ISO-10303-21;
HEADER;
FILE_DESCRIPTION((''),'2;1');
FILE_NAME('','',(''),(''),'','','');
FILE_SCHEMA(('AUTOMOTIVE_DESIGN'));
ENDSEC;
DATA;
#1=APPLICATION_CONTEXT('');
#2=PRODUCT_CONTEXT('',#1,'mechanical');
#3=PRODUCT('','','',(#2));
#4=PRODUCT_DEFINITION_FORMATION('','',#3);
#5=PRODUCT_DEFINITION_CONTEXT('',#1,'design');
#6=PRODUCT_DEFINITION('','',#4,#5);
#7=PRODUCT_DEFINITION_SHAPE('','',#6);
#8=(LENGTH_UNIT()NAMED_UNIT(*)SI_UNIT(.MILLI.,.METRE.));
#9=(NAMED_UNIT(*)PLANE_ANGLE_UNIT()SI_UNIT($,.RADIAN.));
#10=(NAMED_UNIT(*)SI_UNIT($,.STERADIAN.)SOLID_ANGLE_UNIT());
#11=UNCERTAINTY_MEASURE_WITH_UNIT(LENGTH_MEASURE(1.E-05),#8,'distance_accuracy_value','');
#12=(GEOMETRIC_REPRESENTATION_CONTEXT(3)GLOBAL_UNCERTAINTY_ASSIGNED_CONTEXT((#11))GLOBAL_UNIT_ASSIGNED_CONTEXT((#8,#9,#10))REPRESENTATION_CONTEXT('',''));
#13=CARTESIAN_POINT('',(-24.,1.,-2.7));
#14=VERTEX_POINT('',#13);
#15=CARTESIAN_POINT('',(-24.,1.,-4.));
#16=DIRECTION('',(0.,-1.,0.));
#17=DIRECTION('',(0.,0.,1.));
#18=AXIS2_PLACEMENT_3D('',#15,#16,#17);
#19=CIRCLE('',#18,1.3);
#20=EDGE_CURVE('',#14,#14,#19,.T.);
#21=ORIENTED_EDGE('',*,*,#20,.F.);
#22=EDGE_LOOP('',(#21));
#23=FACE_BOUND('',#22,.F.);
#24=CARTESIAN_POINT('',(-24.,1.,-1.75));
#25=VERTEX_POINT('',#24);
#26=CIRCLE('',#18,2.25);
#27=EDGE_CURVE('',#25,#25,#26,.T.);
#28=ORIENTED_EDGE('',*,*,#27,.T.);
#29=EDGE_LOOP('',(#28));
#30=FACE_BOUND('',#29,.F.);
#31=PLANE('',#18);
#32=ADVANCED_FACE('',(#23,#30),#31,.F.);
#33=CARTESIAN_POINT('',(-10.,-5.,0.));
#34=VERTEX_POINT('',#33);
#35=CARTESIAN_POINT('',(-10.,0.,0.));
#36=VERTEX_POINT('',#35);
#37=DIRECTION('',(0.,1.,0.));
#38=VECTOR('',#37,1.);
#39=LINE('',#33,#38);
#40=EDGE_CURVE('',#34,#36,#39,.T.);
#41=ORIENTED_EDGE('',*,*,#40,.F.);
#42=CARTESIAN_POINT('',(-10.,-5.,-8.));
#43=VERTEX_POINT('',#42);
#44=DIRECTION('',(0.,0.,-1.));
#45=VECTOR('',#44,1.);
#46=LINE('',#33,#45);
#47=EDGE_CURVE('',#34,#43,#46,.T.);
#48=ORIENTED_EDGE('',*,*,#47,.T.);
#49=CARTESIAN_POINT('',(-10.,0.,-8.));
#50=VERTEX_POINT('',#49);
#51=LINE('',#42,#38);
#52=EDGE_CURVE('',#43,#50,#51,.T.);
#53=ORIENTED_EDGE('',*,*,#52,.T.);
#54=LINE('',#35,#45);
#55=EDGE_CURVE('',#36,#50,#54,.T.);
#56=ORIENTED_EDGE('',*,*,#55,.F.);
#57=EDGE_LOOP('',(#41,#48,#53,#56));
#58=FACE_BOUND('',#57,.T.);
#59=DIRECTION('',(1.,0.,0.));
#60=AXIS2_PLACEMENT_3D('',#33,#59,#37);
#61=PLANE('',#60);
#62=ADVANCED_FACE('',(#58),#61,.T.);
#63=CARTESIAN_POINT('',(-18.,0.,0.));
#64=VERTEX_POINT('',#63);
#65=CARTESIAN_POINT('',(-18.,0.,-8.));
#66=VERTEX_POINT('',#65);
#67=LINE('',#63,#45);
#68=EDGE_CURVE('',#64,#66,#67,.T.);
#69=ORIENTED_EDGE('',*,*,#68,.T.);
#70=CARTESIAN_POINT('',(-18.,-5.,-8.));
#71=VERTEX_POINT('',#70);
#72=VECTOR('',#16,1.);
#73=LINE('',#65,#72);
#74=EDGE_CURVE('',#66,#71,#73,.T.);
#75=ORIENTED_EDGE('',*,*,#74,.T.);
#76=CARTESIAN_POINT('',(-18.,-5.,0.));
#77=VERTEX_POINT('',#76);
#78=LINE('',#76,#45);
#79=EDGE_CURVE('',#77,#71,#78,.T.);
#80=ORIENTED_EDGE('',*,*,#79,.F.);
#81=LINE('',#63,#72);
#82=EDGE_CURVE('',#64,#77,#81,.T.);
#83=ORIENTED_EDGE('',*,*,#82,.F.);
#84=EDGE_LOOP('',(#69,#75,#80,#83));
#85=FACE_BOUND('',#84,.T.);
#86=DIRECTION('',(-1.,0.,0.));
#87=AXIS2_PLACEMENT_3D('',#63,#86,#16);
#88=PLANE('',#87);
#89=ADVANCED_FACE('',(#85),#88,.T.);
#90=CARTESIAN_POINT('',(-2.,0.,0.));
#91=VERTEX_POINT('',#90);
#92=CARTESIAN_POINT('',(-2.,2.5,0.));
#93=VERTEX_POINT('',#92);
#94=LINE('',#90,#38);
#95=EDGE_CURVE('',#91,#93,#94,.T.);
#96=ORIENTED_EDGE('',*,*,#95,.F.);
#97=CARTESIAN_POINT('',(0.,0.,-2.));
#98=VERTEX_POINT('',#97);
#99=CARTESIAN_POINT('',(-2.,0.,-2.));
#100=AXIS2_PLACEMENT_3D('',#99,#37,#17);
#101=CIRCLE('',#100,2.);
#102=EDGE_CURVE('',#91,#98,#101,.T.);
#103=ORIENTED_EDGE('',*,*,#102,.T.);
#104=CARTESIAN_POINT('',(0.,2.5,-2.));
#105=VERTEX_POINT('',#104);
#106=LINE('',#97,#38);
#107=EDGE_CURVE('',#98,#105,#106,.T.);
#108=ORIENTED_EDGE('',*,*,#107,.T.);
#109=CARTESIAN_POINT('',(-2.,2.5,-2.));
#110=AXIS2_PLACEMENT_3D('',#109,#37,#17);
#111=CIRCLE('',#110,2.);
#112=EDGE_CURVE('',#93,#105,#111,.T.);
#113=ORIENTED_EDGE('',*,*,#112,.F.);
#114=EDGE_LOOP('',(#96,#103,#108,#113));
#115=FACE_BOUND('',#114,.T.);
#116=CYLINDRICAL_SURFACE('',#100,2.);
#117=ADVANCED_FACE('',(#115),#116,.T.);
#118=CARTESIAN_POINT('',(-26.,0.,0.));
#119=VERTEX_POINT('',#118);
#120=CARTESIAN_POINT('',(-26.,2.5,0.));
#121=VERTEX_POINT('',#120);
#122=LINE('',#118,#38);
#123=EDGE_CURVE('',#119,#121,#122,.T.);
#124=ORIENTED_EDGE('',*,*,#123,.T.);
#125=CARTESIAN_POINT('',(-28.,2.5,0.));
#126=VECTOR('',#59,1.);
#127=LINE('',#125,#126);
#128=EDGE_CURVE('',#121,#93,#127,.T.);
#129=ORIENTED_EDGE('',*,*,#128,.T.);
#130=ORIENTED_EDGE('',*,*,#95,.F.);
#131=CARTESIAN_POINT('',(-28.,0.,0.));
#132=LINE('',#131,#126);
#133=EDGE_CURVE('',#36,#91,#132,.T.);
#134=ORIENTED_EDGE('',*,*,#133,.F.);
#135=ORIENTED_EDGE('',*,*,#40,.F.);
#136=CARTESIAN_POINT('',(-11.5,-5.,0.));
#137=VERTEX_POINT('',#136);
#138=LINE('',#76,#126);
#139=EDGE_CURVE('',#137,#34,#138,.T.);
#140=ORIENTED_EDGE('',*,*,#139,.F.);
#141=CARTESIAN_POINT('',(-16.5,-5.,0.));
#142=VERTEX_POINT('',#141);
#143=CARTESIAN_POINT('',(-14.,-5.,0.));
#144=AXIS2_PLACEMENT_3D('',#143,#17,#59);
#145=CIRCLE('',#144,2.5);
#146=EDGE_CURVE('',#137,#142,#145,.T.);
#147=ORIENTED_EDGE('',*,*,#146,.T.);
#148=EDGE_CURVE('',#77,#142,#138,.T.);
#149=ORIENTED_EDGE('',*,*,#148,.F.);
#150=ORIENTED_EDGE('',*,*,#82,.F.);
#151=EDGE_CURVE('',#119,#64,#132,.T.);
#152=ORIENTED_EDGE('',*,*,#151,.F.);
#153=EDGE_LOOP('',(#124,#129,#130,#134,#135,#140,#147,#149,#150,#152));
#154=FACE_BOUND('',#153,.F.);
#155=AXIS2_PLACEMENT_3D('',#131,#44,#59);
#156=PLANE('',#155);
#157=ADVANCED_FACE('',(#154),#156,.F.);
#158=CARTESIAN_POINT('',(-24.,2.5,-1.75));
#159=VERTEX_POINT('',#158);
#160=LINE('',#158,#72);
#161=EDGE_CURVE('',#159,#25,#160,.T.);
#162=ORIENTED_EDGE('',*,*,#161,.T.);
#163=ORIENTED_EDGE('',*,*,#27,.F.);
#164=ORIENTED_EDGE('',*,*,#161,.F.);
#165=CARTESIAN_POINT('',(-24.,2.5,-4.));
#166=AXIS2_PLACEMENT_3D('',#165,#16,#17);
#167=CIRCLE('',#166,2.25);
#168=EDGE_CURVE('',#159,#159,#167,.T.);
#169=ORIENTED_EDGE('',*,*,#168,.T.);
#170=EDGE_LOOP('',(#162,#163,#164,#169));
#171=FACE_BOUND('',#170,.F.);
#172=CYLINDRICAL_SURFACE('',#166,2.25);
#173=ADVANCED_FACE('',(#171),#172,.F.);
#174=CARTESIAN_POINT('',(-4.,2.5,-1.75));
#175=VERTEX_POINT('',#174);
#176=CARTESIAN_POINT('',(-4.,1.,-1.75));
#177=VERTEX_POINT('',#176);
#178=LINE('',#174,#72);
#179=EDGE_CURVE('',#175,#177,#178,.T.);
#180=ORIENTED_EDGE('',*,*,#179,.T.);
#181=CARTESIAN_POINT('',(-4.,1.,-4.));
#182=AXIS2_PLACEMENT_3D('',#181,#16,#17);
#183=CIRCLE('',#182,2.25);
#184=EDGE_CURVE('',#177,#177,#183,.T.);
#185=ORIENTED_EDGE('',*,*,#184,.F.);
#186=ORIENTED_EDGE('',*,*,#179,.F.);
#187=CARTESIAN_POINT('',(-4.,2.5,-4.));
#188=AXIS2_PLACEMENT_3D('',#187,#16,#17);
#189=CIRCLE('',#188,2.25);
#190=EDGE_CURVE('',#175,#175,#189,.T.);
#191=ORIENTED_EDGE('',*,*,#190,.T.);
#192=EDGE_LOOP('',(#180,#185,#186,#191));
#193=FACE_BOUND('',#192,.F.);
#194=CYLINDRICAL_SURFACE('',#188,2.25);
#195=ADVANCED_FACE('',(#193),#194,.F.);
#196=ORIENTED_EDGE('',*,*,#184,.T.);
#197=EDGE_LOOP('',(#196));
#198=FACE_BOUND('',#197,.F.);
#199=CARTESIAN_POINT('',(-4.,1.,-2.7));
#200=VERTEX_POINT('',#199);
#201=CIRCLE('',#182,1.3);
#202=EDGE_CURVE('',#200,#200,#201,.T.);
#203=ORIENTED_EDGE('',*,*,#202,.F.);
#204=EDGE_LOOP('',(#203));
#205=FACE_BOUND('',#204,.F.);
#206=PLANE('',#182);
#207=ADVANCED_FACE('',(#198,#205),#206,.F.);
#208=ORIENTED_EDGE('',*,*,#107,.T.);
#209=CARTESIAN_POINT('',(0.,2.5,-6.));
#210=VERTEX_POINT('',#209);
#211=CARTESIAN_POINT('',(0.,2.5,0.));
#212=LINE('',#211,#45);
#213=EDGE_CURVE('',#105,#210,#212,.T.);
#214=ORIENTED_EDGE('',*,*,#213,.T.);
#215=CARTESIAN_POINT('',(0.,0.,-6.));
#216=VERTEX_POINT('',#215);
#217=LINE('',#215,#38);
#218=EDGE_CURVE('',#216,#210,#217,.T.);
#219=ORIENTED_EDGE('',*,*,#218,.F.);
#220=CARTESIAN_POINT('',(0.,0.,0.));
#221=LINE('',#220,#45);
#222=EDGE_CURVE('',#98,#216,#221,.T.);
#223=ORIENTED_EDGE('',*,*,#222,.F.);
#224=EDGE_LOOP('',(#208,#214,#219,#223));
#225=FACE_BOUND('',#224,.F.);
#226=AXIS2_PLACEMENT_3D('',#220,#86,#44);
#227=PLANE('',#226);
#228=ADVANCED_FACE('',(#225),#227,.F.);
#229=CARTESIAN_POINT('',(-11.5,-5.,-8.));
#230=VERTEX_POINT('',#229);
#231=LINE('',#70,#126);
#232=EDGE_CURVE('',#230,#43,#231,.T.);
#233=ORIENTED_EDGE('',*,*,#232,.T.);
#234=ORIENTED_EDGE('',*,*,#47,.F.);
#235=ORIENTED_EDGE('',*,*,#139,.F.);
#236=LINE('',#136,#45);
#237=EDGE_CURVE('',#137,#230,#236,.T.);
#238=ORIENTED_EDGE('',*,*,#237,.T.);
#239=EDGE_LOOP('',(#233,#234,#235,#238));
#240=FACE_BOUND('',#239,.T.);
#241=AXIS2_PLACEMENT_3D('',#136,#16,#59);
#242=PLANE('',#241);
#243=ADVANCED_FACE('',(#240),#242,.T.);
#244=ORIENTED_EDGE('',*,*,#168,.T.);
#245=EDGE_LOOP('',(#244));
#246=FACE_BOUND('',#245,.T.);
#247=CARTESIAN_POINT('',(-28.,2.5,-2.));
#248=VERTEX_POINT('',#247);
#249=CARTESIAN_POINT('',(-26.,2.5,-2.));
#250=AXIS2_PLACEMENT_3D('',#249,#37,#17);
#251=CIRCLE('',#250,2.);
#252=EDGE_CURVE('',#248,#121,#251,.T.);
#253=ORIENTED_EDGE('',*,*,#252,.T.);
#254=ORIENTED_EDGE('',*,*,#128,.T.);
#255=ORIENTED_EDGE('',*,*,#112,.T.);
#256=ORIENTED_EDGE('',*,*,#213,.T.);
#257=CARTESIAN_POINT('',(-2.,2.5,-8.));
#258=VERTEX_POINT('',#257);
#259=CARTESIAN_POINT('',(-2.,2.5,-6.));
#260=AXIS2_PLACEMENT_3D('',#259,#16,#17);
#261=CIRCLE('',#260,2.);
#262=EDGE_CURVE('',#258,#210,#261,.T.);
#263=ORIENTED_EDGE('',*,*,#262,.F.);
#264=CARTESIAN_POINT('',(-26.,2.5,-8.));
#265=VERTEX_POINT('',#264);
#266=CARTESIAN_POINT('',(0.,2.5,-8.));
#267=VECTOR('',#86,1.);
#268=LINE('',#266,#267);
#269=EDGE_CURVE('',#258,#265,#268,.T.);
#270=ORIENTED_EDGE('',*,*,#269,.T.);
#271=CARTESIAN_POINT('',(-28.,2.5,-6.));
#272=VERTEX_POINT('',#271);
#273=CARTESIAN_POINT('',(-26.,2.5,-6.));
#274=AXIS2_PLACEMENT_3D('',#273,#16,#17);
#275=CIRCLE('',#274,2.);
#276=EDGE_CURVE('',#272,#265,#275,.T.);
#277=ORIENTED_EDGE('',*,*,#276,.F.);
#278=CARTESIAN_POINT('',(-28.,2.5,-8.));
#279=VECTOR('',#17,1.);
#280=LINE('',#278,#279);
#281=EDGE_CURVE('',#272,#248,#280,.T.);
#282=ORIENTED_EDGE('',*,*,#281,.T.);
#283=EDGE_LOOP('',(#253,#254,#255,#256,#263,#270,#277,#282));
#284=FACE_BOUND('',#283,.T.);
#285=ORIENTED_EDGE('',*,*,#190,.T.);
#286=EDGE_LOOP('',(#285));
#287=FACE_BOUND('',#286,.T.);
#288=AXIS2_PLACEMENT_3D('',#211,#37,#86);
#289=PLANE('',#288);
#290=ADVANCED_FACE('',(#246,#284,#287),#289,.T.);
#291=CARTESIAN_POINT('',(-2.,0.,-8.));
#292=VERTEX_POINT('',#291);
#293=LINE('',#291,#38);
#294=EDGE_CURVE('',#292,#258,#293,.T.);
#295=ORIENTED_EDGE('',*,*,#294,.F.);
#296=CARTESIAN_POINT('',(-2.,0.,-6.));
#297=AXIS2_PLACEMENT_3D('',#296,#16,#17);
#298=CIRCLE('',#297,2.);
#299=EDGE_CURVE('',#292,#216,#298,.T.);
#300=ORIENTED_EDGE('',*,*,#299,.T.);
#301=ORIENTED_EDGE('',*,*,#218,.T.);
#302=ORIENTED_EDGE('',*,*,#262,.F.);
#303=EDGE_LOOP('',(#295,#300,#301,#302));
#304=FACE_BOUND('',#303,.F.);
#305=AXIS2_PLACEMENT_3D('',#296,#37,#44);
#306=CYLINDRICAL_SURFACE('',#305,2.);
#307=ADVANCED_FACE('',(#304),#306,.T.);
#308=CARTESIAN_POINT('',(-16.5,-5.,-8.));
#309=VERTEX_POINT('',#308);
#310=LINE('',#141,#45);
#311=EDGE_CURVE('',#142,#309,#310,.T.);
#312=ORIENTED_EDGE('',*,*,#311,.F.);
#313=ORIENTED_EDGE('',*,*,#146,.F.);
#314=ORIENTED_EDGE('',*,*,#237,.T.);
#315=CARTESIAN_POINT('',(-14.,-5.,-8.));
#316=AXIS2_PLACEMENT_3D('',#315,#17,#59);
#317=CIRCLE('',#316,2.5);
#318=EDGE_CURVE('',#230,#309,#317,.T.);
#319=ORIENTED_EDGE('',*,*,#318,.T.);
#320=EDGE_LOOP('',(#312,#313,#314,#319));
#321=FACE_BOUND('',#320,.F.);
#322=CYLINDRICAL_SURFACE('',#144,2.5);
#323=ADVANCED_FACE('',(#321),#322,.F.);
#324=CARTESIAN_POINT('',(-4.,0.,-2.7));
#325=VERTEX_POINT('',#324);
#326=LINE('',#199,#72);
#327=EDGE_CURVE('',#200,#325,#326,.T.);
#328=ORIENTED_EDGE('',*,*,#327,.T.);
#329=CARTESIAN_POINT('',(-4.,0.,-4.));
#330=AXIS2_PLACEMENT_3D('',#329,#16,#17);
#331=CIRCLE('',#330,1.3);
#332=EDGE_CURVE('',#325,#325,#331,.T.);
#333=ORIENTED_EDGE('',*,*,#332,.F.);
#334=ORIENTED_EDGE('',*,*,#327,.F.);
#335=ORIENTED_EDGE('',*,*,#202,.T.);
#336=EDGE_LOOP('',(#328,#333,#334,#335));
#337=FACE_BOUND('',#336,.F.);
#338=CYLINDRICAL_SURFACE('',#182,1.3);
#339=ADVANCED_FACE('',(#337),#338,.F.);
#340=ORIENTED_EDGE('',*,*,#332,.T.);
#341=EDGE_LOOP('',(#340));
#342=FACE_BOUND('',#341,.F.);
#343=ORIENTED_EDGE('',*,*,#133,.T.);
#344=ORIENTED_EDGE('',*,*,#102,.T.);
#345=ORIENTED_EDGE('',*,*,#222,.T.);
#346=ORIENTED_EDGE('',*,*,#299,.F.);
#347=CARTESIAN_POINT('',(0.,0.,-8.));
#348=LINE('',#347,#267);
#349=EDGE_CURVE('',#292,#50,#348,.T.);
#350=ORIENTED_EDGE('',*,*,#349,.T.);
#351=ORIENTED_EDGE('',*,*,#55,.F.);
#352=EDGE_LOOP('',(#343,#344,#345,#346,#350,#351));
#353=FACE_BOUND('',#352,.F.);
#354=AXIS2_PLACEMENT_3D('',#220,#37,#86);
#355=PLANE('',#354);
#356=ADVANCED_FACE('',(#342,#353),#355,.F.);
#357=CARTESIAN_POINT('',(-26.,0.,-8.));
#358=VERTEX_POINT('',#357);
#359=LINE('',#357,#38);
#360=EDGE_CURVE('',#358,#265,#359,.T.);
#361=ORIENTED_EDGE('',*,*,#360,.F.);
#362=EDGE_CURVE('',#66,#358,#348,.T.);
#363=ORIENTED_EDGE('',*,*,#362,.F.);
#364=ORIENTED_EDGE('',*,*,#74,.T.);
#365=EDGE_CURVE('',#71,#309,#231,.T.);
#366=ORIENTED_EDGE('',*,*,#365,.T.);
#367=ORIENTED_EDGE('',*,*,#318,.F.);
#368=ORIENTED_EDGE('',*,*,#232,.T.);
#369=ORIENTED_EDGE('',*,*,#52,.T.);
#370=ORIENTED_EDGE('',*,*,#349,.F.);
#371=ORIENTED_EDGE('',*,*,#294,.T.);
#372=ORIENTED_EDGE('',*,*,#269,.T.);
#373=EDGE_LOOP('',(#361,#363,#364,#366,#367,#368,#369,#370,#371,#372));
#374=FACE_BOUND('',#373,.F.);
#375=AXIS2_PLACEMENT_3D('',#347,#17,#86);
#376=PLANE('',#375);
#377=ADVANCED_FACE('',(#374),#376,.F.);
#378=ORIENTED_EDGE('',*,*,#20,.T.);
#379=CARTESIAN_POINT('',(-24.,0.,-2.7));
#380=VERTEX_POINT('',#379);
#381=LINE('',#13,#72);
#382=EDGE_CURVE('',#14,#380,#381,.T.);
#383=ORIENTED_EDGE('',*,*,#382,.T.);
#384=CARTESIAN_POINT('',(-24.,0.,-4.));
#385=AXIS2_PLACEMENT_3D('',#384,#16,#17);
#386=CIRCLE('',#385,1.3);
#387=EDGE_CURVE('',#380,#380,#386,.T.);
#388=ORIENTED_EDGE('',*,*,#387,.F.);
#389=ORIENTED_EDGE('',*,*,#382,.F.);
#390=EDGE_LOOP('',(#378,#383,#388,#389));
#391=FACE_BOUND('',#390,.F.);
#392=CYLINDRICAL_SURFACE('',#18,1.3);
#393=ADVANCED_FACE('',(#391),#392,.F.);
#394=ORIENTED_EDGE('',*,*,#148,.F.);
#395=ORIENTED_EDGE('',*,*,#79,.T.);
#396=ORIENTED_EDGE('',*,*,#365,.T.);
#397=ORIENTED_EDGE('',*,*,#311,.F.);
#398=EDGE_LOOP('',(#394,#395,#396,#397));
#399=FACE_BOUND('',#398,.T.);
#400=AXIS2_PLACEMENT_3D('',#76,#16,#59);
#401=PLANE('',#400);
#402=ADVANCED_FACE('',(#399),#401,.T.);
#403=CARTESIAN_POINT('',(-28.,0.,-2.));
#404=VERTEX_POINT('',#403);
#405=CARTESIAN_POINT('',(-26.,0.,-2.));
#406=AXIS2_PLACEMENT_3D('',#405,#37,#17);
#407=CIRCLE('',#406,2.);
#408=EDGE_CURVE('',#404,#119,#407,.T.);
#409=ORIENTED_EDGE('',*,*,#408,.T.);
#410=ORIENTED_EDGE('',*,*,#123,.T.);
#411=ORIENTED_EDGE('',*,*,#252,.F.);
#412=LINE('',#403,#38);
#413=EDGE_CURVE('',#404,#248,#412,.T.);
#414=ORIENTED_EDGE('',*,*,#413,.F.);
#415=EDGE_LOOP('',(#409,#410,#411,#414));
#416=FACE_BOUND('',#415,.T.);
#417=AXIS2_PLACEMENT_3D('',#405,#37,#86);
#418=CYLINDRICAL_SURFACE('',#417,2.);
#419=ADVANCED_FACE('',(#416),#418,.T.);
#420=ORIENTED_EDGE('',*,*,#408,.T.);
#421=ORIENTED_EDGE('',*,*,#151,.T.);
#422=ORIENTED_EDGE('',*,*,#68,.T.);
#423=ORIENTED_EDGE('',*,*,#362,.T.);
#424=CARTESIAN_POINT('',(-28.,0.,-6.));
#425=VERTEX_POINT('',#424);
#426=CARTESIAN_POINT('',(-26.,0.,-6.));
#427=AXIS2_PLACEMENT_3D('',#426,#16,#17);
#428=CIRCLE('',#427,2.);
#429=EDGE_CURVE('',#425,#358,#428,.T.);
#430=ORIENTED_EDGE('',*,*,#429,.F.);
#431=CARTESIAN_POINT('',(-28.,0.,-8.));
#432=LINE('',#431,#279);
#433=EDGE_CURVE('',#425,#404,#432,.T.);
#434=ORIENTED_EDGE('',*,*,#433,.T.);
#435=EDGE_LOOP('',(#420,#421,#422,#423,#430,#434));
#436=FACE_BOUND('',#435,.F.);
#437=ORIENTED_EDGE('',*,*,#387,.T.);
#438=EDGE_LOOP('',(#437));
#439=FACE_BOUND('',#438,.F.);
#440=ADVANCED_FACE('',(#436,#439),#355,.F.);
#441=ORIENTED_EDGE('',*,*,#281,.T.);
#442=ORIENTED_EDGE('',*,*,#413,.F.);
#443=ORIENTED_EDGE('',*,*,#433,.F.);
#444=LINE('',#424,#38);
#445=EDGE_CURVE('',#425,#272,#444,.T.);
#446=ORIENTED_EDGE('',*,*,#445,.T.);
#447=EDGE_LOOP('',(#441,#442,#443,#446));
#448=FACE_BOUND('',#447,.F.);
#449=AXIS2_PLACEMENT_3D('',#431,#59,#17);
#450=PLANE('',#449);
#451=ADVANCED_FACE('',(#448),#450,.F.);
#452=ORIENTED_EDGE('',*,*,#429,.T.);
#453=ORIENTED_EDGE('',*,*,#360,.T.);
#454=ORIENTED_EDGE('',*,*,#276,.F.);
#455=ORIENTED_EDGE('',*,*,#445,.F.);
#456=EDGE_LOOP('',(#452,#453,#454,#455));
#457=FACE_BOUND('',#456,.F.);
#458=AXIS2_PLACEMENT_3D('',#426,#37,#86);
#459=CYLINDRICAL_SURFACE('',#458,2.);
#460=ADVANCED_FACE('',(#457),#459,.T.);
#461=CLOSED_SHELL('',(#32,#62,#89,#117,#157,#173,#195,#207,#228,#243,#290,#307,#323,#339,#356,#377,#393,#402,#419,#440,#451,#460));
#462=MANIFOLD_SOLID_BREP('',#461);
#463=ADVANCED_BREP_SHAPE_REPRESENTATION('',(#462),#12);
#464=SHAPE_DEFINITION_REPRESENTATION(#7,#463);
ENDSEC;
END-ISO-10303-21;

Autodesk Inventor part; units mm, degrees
ref_plane "YZ Plane" through (0, 0, 0) normal (1, 0, 0) x (0, 1, 0)
ref_plane "XZ Plane" through (0, 0, 0) normal (0, 1, 0) x (-1, 0, 0)
ref_plane "XY Plane" through (0, 0, 0) normal (0, 0, 1) x (1, 0, 0)
sketch "Szkic1" plane through (0, 0, 0) normal (0, 1, 0) x (-1, 0, 0)
  line L0 (28, 0) -> (0, 0)
  line L1 (0, 0) -> (0, -8)
  line L2 (0, -8) -> (28, -8)
  line L3 (28, -8) -> (28, 0)
  dimension "d0" = 8
  dimension "d4" = 28
extrude "Wyciągnięcie proste1" add sketch "Szkic1" along normal blind 2.5
sketch "Szkic2" plane through (0, 2.5, 0) normal (0, 1, 0) x (1, 0, 0)
  line L0 (-28, 0) -> (0, 0) projected
  line L1 (0, 8) -> (-28, 8) projected
  line L2 (-14, 0) -> (-14, 8)
  line L3 (-24, 4) -> (-4, 4)
  point P0 (-14, 4)
  dimension "d3" = 20
hole "Otwór1" at (-24, 2.5, -4) at (-4, 2.5, -4) direction (0, -1, 0) diameter 2.6 end through all counterbore diameter 4.5 counterbore depth 1.5
sketch "Szkic3" plane through (-28, 0, 0) normal (0, 0, 1) x (1, 0, 0)
  line L0 (14, 2.5) -> (14, 0)
  line L1 (0, 2.5) -> (28, 2.5) projected
  line L2 (0, 0) -> (28, 0) projected
  circle A0 centre (14, -5) radius 2.5
  line L3 (10, -5) -> (18, -5)
  line L4 (18, -5) -> (18, 0)
  line L5 (10, 0) -> (10, -5)
  line L6 (18, 0) -> (10, 0)
  point P0 (10, 3)
  point P1 (17.6174, 3)
  point P2 (16.5, -5)
  point P3 (11.5, -5)
  point P4 (14, 0)
  point P5 (18, 0)
  dimension "d12" = 5
  dimension "d13" = 8
  dimension "d17" = 5
extrude "Wyciągnięcie proste2" add sketch "Szkic3" against normal up to surface (8 mm away) contours L2 L4 L3 A0 L5
fillet "Zaokrąglenie1" radius 2 4 edges at (0, 1.25, 0) (0, 1.25, -8) (-28, 1.25, -8) (-28, 1.25, 0)
equation "\"d0\" = obudowa_led_mocowanie_grubosc"
equation "\"d4\" = holder_led_dlugosc"
equation "\"d1\" = holder_led_grubosc"
equation "\"d3\" = obudowa_led_mocowanie_rozstaw_otworow"
equation "\"d5\" = gniazdo_M2_D2"
equation "\"d7\" = gniazdo_M2_D1"
equation "\"d8\" = gniazdo_M2_glebokosc"
equation "\"d10\" = insert_glebokosc"
equation "\"d12\" = holder_led_uchwyt_D"
equation "\"d13\" = holder_led_uchwyt_szerokosc"
equation "\"d17\" = holder_led_uchwyt_wysokosc"
equation "\"gniazdo_M2_glebokosc\" = 1.5"
equation "\"gniazdo_M2_D1\" = 4.5"
equation "\"gniazdo_M2_D2\" = 2.6"
equation "\"insert_D\" = 2.9"
equation "\"insert_glebokosc\" = 7"
equation "\"podstawa_wys\" = 2"
equation "\"podstawa_otwory_montazowe_poz_x\" = 4"
equation "\"podstawa_otwory_montazowe_poz_y\" = 4"
equation "\"podstawa_zaokraglenie\" = 3"
equation "\"obudowa_wys\" = 45"
equation "\"obudowa_grubosc\" = 2"
equation "\"obudowa_kontrolki_a\" = 38"
equation "\"obudowa_otwory_montazowe_poz_x\" = 4"
equation "\"obudowa_otwory_montazowe_poz_y\" = 4"
equation "\"obudowa_otwory_montazowe_material_x\" = 8"
equation "\"obudowa_otwory_montazowe_material_y\" = 8"
equation "\"obudowa_zaokraglenie\" = 3"
equation "\"obudowa_otwory_io1_D\" = 12"
equation "\"obudowa_otwory_io1_wys\" = 25"
equation "\"obudowa_otwory_io1_poz\" = 55"
equation "\"obudowa_otwory_io2_D\" = 12"
equation "\"obudowa_otwory_io2_wys\" = 25"
equation "\"obudowa_otwory_io2_poz\" = 38"
equation "\"obudowa_otwory_pot_D\" = 7.2"
equation "\"obudowa_pot_poz_y\" = 15"
equation "\"obudowa_s_rozstaw_y\" = 16"
equation "\"obudowa_s_poz_x\" = 78"
equation "\"obudowa_s_poz_y\" = 15"
equation "\"obudowa_s_D\" = 6.2"
equation "\"input_a\" = 8.9"
equation "\"input_b\" = 14.4"
equation "\"input_wys\" = 10.9"
equation "\"obudowa_MTS_otwor_D\" = 6.2"
equation "\"pcb_rozstaw_x\" = 92"
equation "\"pcb_rozstaw_y\" = 58"
equation "\"pcb_grubosc_scianki\" = 6"
equation "\"pcb_wys_bloku\" = 35"
equation "\"pcb_poz_y\" = 29"
equation "\"obudowa_footswitch_D\" = 12.3"
equation "\"obudowa_footswitch_poz_x\" = 35"
equation "\"obudowa_footswitch_poz_y\" = 68"
equation "\"obudowa_led_indicator_D\" = 3.5"
equation "\"obudowa_led_indicator_poz_x\" = 55"
equation "\"obudowa_podkladka_otwory\" = 4"
equation "\"obudowa_uchwyt_poz_z\" = 3"
equation "\"obudowa_uchwyt_grubosc\" = 2"
equation "\"obudowa_uchwyt_szerokosc_wew\" = 17.5"
equation "\"obudowa_uchwyt_wysokosc_wew\" = 26.3"
equation "\"obudowa_uchwyt_kolnierz_wys\" = 55"
equation "\"obudowa_gniazdo_poz\" = 25"
equation "\"obudowa_podciecie_inout_wys\" = 6"
equation "\"obudowa_podciecie_logo_wys\" = 34"
equation "\"obudowa_podciecie_logo_szerokosc\" = 25"
equation "\"obudowa_pot_pozycjonowanie_szerokosc\" = 2.8"
equation "\"obudowa_pot_pozycjonowanie_wys\" = 13"
equation "\"obudowa_pot_pozycjonowanie_glebokosc\" = 1.4"
equation "\"obudowa_led_mocowanie_wys\" = 6"
equation "\"obudowa_led_mocowanie_grubosc\" = 8"
equation "\"obudowa_led_mocowanie_rozstaw_otworow\" = 20"
equation "\"holder_led_grubosc\" = 2.5"
equation "\"holder_led_dlugosc\" = 28"
equation "\"holder_led_uchwyt_D\" = 5"
equation "\"holder_led_uchwyt_wysokosc\" = 5"
equation "\"holder_led_uchwyt_szerokosc\" = 8"
equation "\"holder_gniazdo_b\" = 5"
equation "\"holder_gniazdo_grubosc\" = 2.5"
equation "\"holder_gniazdo_a\" = 28"
equation "\"podstawa_mocowanie_DC_a\" = 7"
equation "\"podstawa_mocowanie_DC_b\" = 8.9"
equation "\"podstawa_mocowanie_DC_wys\" = 6"
equation "\"holder_gniazdo_odleglosc_miedzy_ramionami\" = 9.2"
equation "\"holder_gniazdo_grubosc_ramion\" = 1.5"
equation "\"holder_gniazdo_wys\" = 8"
equation "\"holder_gniazdo_uchwyt_poz\" = 5"
properties part number "led_holder"
